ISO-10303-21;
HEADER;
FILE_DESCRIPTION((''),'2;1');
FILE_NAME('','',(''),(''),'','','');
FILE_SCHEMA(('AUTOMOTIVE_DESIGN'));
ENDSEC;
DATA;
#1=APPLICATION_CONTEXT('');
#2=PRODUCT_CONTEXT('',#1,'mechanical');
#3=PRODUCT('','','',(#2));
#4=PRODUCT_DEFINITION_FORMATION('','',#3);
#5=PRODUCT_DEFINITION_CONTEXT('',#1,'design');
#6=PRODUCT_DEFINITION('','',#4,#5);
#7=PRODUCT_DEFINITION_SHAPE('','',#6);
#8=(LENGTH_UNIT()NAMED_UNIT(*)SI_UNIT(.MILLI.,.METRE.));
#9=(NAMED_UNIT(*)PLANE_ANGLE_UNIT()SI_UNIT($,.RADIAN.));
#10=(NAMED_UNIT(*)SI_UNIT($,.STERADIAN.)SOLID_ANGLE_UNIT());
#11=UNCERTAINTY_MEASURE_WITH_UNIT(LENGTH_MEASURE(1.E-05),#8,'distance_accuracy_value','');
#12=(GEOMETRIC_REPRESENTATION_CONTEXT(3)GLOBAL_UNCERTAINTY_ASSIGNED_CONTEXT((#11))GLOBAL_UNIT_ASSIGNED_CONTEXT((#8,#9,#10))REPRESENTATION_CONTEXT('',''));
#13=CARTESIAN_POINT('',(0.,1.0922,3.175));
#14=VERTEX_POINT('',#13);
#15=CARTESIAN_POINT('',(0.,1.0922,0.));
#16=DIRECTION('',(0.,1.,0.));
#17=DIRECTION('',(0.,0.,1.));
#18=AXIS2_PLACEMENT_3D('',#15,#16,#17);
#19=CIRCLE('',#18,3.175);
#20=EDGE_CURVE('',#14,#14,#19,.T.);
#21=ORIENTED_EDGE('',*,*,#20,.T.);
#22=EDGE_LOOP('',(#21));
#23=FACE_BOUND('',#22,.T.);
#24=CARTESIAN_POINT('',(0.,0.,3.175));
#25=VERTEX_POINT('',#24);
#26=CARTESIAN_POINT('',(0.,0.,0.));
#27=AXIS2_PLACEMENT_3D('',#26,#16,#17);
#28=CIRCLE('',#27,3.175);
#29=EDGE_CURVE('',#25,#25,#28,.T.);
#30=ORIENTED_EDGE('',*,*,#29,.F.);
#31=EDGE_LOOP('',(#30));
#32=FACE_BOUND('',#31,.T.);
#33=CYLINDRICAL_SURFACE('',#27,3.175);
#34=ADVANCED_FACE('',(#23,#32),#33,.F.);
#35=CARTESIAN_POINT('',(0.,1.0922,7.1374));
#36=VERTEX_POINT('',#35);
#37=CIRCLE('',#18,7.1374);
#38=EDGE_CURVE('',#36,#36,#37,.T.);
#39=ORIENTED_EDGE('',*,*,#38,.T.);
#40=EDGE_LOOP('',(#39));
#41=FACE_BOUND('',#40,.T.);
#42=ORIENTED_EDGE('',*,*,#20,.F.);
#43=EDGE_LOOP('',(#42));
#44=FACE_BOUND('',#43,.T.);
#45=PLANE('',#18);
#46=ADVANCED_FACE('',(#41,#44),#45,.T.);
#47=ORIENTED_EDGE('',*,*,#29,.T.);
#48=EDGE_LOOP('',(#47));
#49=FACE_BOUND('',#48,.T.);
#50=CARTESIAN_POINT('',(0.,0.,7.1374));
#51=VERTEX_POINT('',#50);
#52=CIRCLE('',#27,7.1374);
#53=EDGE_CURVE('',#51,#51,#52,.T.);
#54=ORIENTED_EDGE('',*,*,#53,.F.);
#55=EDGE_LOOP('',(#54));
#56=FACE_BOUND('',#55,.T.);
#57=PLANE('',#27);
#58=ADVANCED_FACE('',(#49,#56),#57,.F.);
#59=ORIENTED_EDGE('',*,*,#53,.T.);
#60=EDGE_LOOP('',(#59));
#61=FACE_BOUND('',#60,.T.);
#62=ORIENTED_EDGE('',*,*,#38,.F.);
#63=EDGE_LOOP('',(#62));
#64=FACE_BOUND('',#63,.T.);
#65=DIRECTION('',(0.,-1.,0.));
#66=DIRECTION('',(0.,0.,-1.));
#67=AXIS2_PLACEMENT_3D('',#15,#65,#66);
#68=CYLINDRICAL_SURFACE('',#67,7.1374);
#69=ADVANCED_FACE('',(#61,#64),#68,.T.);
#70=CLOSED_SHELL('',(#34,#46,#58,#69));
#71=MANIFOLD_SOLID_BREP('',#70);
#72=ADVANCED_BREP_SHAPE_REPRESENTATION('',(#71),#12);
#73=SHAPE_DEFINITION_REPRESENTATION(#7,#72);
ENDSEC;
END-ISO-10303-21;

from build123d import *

# Parameters (mm, degrees)
SKETCH1_R           = 7.1374
BOSS_EXTRUDE1_DEPTH = 1.0922
SKETCH5_R           = 3.175
CUT_EXTRUDE1_DEPTH  = 2.0922


with BuildPart() as part:
    # Sketch1 → Boss-Extrude1 (new body)
    with BuildSketch(Plane(origin=(0, 0, 0), x_dir=(1, 0, 0), z_dir=(0, 1, 0))):
        Circle(SKETCH1_R)
    extrude(amount=BOSS_EXTRUDE1_DEPTH)

    # Sketch5 → Cut-Extrude1 (cut, through all)
    with BuildSketch(Plane(origin=(0, 1.0922, 0), x_dir=(-1, 0, 0), z_dir=(0, 1, 0))):
        Circle(SKETCH5_R)
    extrude(amount=-CUT_EXTRUDE1_DEPTH, mode=Mode.SUBTRACT)


solid = part.part
